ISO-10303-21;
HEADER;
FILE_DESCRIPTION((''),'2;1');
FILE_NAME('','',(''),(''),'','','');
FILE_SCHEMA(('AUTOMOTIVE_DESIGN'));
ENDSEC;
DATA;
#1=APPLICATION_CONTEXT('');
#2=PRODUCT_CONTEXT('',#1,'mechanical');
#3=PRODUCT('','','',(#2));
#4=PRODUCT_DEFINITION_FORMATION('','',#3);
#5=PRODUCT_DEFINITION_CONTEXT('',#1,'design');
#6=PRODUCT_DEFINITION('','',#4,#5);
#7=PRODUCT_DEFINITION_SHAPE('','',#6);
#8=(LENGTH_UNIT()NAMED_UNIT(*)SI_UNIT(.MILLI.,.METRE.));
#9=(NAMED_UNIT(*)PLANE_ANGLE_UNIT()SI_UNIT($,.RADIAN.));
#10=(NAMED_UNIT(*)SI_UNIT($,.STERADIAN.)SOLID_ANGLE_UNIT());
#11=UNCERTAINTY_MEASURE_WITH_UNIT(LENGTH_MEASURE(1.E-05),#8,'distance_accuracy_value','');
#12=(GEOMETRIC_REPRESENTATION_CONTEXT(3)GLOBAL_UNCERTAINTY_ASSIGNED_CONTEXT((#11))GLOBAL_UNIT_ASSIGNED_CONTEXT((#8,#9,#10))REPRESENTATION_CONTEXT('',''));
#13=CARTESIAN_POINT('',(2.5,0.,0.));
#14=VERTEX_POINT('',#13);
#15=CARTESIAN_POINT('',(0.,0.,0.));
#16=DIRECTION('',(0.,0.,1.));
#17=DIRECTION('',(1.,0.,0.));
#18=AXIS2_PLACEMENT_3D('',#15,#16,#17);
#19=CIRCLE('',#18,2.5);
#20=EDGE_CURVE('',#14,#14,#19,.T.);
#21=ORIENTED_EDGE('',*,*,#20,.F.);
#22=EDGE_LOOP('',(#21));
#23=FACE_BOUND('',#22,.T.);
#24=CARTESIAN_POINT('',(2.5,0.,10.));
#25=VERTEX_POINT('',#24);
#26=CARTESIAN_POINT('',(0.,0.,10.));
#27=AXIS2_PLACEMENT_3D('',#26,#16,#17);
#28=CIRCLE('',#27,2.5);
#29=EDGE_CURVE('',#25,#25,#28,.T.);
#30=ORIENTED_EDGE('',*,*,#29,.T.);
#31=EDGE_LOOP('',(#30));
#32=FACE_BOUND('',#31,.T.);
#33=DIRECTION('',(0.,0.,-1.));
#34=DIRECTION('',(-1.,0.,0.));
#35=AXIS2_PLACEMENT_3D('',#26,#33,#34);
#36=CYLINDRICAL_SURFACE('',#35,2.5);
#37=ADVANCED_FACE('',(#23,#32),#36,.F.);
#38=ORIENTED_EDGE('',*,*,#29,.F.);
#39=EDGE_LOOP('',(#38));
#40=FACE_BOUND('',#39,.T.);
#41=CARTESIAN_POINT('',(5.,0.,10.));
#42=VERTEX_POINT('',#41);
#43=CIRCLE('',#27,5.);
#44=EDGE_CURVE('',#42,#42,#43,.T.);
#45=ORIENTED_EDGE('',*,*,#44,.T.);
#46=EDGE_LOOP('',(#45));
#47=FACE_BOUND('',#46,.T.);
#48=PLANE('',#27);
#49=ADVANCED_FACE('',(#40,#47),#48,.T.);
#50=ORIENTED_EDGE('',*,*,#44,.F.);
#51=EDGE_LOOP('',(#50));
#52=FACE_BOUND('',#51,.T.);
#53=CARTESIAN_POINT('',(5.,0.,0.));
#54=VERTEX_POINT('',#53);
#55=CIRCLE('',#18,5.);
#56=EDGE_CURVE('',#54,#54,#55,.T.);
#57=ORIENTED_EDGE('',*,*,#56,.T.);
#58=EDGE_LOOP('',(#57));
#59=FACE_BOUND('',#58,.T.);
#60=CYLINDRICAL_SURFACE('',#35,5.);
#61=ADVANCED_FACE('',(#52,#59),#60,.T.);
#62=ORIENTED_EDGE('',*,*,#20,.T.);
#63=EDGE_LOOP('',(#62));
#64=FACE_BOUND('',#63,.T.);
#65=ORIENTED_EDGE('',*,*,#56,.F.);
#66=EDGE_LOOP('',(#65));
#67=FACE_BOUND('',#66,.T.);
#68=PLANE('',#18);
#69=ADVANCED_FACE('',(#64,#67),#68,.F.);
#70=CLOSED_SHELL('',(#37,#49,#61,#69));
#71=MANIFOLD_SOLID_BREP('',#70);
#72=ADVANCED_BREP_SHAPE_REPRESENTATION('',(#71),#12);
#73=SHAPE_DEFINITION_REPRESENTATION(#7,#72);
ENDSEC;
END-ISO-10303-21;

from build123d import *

# Parameters (mm, degrees)
SKETCH1_R           = 5
SKETCH1_R_2         = 2.5
BOSS_EXTRUDE1_DEPTH = 10


with BuildPart() as part:
    # Sketch1 → Boss-Extrude1 (new body)
    with BuildSketch(Plane.XY):
        Circle(SKETCH1_R)
        Circle(SKETCH1_R_2, mode=Mode.SUBTRACT)
    extrude(amount=BOSS_EXTRUDE1_DEPTH)


solid = part.part
